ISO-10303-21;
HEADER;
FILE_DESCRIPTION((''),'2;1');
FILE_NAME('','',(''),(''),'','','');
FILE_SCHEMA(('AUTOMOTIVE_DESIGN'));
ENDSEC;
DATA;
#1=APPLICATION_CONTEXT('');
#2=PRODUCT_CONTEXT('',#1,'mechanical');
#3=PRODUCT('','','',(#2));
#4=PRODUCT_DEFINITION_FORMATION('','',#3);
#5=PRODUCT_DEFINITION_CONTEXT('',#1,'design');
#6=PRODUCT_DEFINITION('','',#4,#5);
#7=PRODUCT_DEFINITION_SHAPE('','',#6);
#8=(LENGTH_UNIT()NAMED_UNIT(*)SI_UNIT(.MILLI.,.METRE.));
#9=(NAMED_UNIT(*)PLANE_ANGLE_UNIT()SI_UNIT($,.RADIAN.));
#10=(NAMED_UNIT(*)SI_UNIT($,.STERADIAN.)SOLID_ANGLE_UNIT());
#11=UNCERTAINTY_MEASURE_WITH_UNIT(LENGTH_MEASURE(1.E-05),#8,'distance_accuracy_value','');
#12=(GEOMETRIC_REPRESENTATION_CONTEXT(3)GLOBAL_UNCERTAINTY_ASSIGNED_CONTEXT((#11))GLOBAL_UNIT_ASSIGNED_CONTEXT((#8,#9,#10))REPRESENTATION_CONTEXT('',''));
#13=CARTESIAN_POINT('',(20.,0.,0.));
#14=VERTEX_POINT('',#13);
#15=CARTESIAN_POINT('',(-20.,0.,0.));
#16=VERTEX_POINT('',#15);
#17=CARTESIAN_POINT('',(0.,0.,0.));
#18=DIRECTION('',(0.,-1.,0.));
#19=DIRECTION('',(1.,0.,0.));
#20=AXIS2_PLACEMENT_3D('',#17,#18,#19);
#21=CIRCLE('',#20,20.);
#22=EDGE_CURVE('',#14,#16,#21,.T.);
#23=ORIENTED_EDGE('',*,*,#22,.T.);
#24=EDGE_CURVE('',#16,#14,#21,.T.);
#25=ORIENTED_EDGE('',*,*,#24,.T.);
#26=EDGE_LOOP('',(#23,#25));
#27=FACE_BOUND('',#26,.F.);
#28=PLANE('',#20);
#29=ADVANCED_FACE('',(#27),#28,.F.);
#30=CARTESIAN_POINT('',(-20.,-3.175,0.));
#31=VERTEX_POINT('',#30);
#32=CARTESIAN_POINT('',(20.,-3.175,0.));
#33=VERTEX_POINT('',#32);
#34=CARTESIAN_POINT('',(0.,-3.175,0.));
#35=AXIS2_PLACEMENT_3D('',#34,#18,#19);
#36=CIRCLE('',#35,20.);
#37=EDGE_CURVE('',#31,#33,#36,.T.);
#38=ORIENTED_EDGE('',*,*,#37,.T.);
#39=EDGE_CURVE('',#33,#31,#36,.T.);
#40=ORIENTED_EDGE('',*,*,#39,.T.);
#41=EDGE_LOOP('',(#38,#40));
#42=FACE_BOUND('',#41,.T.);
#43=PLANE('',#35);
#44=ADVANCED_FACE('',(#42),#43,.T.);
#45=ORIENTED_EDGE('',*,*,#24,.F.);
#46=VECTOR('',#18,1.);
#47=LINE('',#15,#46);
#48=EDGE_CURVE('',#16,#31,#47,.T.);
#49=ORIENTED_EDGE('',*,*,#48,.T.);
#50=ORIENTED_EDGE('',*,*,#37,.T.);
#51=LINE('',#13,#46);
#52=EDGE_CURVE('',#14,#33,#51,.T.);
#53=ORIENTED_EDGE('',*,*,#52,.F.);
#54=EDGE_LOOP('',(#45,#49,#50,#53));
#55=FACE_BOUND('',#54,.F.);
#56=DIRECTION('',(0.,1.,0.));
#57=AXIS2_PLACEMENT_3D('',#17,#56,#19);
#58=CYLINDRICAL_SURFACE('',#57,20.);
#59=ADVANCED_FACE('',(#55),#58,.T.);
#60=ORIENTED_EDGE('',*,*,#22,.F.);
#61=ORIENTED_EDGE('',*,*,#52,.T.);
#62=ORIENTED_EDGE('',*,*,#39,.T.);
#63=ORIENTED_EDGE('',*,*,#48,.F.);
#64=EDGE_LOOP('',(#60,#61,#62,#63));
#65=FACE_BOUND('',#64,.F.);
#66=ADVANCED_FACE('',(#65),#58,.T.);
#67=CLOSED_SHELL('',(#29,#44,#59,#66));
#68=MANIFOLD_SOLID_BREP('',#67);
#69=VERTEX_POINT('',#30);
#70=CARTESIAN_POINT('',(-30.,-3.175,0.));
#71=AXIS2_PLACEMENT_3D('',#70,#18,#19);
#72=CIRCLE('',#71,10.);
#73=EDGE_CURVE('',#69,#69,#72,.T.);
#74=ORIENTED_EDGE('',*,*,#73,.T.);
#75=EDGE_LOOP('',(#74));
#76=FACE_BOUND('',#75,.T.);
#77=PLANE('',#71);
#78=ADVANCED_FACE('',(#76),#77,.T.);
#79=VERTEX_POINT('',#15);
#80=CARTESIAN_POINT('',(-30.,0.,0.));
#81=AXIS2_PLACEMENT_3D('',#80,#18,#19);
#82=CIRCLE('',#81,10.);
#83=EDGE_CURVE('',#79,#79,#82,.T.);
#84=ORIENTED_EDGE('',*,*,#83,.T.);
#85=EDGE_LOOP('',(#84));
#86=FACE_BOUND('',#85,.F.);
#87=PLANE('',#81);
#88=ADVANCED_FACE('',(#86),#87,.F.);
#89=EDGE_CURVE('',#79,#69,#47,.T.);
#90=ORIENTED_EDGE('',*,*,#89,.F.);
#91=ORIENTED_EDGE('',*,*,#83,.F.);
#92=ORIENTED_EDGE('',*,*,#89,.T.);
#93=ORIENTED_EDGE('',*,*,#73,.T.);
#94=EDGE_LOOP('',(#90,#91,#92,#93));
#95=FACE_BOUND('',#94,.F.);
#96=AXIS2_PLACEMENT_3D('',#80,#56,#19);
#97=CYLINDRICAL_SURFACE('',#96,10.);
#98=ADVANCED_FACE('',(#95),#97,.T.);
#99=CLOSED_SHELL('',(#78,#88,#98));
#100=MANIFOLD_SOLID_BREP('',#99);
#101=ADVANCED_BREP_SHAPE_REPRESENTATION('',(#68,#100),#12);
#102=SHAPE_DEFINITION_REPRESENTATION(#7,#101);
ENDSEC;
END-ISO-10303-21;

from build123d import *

# Parameters (mm, degrees)
F0_R     = 20
F1_R     = 10
F2_DEPTH = 3.175


with BuildPart() as f2:
    # F0 (on Front) + F1 (on Front) → F2 (new body)
    with BuildSketch(Plane.XZ):
        Circle(F0_R)
    with BuildSketch(Plane.XZ):
        with Locations((-30, 0)):
            Circle(F1_R)
    extrude(amount=F2_DEPTH)


solid = f2.part
